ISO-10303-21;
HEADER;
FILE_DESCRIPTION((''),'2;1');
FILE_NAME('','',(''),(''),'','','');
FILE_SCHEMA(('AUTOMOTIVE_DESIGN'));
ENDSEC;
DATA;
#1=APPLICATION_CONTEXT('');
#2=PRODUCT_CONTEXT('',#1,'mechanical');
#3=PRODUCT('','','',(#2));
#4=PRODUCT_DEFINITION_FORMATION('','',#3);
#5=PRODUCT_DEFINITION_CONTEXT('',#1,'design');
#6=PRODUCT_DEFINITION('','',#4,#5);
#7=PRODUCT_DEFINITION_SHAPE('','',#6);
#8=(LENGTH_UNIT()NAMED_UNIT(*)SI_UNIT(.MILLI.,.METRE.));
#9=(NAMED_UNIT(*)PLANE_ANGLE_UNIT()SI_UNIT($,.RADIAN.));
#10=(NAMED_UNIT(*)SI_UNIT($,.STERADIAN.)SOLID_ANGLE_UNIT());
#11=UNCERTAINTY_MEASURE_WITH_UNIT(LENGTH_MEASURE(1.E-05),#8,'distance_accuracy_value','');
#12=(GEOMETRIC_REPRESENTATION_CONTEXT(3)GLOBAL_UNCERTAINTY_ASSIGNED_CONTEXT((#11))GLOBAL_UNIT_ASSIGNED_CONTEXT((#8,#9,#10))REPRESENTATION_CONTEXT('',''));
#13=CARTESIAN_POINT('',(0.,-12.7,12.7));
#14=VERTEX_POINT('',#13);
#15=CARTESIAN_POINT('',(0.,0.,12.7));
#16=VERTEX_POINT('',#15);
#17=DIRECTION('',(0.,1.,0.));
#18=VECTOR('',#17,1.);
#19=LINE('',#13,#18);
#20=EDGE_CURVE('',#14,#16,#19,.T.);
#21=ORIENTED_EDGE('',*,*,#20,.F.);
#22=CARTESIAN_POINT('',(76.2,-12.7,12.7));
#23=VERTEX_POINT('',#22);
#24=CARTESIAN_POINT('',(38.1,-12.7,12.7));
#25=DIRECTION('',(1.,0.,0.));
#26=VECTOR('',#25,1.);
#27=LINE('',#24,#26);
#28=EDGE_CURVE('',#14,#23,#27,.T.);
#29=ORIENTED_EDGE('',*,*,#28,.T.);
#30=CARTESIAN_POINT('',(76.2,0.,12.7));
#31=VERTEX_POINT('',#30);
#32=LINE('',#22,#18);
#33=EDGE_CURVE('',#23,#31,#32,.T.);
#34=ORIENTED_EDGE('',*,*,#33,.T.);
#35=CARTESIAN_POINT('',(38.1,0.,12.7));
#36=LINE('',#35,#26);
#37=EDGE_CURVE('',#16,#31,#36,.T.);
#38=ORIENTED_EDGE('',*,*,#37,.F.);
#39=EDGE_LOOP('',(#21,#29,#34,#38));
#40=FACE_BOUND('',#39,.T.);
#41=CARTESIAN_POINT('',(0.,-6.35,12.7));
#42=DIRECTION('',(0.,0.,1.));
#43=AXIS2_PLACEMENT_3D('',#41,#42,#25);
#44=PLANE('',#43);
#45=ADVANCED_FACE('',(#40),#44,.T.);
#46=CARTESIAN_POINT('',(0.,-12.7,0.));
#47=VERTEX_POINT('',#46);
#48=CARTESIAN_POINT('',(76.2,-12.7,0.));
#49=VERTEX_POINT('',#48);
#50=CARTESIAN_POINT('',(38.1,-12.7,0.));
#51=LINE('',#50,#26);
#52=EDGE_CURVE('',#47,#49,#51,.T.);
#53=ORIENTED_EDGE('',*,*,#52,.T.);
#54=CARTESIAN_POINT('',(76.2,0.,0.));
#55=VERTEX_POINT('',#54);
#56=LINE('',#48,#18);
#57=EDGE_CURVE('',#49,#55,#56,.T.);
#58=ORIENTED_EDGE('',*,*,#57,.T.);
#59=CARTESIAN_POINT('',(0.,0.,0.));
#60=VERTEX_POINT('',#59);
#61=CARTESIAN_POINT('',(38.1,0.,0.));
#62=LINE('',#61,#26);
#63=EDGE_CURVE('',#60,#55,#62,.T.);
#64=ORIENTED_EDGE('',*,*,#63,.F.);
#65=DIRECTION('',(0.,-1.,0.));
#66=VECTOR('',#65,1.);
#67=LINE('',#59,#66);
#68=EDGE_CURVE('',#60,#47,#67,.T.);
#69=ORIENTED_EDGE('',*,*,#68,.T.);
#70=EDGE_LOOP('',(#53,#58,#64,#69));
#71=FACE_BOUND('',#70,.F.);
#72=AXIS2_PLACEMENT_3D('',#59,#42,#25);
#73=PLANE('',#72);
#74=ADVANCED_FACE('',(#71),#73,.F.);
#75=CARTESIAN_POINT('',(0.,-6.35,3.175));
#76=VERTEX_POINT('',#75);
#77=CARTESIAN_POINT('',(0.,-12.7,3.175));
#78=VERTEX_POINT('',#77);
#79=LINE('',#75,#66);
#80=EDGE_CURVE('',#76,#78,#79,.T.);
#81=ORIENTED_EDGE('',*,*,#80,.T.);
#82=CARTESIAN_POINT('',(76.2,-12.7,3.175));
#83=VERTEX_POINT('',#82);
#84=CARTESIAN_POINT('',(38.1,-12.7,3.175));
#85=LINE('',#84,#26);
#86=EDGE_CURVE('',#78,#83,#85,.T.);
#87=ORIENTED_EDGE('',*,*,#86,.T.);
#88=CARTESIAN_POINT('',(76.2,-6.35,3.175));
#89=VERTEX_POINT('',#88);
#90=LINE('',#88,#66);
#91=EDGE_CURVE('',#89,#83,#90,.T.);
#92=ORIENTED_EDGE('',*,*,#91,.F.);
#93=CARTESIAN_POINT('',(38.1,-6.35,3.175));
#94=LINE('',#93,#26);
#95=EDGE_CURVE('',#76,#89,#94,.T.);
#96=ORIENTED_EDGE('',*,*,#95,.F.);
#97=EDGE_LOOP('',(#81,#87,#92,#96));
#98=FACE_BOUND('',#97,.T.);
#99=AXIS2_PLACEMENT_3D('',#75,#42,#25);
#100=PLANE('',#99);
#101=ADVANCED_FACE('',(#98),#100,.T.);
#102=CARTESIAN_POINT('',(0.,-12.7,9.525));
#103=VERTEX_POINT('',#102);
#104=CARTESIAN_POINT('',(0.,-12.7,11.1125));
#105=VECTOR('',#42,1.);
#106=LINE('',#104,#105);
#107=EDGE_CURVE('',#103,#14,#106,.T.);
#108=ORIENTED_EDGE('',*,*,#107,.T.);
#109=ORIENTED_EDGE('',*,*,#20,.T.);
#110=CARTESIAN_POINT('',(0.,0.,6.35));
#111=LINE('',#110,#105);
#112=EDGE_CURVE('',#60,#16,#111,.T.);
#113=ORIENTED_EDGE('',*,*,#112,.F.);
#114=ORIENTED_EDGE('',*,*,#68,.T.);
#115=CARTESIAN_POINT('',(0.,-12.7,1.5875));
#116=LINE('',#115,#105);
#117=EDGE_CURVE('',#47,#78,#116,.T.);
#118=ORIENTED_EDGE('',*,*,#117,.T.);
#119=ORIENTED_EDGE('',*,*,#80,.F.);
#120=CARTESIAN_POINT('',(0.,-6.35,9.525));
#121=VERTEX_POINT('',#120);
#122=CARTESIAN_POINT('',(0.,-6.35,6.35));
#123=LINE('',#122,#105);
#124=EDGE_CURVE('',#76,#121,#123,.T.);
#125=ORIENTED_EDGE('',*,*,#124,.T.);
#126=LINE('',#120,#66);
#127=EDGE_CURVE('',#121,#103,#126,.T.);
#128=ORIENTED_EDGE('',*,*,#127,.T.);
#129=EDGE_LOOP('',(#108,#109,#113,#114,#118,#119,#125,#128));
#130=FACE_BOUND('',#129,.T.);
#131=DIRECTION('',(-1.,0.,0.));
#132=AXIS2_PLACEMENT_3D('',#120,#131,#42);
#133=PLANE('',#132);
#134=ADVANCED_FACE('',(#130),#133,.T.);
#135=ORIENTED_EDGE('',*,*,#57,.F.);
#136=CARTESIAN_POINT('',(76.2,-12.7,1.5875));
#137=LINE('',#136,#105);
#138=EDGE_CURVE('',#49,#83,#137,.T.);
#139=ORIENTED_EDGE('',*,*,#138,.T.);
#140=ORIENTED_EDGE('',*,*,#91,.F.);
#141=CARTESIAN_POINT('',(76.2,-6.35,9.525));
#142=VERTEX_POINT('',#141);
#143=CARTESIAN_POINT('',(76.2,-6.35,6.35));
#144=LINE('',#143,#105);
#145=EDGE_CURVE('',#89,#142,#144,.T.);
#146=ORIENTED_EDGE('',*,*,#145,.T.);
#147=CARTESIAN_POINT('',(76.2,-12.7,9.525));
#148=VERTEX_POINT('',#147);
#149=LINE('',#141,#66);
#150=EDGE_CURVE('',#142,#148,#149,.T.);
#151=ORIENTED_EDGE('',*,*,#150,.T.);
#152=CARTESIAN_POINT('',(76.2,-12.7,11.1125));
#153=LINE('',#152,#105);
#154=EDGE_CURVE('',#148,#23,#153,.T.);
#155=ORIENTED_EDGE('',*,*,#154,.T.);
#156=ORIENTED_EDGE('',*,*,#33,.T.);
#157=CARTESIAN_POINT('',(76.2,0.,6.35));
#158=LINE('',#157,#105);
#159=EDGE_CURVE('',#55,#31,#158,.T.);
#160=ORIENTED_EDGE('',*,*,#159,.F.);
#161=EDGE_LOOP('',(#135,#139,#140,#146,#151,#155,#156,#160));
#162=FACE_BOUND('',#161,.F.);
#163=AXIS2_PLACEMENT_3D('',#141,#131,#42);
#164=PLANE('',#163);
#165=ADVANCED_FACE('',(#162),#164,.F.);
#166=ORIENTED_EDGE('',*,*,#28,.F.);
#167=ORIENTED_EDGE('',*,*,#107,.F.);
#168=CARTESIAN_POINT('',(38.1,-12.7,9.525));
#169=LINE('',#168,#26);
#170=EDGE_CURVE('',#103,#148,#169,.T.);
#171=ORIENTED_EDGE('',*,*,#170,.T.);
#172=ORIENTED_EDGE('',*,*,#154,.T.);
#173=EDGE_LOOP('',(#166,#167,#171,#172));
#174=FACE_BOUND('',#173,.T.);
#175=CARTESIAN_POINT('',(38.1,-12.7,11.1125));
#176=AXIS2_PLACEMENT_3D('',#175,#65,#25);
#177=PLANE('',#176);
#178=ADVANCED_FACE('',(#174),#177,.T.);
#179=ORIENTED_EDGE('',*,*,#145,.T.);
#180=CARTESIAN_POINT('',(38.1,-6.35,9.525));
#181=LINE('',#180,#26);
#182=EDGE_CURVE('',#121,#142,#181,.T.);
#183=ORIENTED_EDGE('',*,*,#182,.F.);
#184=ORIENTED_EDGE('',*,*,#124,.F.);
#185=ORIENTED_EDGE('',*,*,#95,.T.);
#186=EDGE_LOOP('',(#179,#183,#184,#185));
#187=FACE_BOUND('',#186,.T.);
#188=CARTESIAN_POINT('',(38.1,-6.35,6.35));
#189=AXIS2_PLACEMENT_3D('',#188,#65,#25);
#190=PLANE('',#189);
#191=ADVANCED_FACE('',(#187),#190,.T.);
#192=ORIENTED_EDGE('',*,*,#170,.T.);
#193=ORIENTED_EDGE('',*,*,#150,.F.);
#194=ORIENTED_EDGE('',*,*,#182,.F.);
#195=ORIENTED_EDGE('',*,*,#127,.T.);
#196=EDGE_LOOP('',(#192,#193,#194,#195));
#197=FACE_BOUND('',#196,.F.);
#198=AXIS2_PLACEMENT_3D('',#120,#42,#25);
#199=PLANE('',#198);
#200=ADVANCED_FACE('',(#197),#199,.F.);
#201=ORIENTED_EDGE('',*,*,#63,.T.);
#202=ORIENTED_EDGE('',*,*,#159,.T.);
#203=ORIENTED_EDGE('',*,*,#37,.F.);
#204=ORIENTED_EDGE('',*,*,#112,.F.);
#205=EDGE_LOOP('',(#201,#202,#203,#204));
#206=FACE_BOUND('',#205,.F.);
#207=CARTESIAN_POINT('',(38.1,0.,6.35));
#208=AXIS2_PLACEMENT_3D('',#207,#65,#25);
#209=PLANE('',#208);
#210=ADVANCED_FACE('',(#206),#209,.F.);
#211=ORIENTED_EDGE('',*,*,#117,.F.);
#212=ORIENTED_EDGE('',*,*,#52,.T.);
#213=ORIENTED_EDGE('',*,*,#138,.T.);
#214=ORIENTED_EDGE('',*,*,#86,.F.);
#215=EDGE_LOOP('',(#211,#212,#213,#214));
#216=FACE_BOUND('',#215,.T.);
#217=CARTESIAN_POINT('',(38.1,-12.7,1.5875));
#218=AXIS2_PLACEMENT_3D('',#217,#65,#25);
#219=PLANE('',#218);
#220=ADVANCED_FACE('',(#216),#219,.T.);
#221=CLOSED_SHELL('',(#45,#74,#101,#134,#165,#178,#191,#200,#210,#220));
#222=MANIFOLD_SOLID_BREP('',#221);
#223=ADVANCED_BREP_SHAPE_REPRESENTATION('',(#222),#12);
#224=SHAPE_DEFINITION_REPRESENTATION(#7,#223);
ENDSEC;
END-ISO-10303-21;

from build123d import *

# Parameters (mm, degrees)
F0_W     = 76.2
F0_H     = 12.7
F1_DEPTH = 6.35
F2_W     = 76.2
F2_H     = 3.175
F3_DEPTH = 6.35


with BuildPart() as f1:
    # F0 (on Front) → F1 (new body)
    with BuildSketch(Plane.XZ):
        with Locations((38.1, 6.35)):
            Rectangle(F0_W, F0_H)
    extrude(amount=F1_DEPTH)

    # F2 (on face) → F3 (join)
    with BuildSketch(Plane.XZ.offset(6.35)):
        with Locations((38.1, 11.1125)):
            Rectangle(F2_W, F2_H)
        with Locations((38.1, 1.5875)):
            Rectangle(F2_W, F2_H)
    extrude(amount=F3_DEPTH)


solid = f1.part
